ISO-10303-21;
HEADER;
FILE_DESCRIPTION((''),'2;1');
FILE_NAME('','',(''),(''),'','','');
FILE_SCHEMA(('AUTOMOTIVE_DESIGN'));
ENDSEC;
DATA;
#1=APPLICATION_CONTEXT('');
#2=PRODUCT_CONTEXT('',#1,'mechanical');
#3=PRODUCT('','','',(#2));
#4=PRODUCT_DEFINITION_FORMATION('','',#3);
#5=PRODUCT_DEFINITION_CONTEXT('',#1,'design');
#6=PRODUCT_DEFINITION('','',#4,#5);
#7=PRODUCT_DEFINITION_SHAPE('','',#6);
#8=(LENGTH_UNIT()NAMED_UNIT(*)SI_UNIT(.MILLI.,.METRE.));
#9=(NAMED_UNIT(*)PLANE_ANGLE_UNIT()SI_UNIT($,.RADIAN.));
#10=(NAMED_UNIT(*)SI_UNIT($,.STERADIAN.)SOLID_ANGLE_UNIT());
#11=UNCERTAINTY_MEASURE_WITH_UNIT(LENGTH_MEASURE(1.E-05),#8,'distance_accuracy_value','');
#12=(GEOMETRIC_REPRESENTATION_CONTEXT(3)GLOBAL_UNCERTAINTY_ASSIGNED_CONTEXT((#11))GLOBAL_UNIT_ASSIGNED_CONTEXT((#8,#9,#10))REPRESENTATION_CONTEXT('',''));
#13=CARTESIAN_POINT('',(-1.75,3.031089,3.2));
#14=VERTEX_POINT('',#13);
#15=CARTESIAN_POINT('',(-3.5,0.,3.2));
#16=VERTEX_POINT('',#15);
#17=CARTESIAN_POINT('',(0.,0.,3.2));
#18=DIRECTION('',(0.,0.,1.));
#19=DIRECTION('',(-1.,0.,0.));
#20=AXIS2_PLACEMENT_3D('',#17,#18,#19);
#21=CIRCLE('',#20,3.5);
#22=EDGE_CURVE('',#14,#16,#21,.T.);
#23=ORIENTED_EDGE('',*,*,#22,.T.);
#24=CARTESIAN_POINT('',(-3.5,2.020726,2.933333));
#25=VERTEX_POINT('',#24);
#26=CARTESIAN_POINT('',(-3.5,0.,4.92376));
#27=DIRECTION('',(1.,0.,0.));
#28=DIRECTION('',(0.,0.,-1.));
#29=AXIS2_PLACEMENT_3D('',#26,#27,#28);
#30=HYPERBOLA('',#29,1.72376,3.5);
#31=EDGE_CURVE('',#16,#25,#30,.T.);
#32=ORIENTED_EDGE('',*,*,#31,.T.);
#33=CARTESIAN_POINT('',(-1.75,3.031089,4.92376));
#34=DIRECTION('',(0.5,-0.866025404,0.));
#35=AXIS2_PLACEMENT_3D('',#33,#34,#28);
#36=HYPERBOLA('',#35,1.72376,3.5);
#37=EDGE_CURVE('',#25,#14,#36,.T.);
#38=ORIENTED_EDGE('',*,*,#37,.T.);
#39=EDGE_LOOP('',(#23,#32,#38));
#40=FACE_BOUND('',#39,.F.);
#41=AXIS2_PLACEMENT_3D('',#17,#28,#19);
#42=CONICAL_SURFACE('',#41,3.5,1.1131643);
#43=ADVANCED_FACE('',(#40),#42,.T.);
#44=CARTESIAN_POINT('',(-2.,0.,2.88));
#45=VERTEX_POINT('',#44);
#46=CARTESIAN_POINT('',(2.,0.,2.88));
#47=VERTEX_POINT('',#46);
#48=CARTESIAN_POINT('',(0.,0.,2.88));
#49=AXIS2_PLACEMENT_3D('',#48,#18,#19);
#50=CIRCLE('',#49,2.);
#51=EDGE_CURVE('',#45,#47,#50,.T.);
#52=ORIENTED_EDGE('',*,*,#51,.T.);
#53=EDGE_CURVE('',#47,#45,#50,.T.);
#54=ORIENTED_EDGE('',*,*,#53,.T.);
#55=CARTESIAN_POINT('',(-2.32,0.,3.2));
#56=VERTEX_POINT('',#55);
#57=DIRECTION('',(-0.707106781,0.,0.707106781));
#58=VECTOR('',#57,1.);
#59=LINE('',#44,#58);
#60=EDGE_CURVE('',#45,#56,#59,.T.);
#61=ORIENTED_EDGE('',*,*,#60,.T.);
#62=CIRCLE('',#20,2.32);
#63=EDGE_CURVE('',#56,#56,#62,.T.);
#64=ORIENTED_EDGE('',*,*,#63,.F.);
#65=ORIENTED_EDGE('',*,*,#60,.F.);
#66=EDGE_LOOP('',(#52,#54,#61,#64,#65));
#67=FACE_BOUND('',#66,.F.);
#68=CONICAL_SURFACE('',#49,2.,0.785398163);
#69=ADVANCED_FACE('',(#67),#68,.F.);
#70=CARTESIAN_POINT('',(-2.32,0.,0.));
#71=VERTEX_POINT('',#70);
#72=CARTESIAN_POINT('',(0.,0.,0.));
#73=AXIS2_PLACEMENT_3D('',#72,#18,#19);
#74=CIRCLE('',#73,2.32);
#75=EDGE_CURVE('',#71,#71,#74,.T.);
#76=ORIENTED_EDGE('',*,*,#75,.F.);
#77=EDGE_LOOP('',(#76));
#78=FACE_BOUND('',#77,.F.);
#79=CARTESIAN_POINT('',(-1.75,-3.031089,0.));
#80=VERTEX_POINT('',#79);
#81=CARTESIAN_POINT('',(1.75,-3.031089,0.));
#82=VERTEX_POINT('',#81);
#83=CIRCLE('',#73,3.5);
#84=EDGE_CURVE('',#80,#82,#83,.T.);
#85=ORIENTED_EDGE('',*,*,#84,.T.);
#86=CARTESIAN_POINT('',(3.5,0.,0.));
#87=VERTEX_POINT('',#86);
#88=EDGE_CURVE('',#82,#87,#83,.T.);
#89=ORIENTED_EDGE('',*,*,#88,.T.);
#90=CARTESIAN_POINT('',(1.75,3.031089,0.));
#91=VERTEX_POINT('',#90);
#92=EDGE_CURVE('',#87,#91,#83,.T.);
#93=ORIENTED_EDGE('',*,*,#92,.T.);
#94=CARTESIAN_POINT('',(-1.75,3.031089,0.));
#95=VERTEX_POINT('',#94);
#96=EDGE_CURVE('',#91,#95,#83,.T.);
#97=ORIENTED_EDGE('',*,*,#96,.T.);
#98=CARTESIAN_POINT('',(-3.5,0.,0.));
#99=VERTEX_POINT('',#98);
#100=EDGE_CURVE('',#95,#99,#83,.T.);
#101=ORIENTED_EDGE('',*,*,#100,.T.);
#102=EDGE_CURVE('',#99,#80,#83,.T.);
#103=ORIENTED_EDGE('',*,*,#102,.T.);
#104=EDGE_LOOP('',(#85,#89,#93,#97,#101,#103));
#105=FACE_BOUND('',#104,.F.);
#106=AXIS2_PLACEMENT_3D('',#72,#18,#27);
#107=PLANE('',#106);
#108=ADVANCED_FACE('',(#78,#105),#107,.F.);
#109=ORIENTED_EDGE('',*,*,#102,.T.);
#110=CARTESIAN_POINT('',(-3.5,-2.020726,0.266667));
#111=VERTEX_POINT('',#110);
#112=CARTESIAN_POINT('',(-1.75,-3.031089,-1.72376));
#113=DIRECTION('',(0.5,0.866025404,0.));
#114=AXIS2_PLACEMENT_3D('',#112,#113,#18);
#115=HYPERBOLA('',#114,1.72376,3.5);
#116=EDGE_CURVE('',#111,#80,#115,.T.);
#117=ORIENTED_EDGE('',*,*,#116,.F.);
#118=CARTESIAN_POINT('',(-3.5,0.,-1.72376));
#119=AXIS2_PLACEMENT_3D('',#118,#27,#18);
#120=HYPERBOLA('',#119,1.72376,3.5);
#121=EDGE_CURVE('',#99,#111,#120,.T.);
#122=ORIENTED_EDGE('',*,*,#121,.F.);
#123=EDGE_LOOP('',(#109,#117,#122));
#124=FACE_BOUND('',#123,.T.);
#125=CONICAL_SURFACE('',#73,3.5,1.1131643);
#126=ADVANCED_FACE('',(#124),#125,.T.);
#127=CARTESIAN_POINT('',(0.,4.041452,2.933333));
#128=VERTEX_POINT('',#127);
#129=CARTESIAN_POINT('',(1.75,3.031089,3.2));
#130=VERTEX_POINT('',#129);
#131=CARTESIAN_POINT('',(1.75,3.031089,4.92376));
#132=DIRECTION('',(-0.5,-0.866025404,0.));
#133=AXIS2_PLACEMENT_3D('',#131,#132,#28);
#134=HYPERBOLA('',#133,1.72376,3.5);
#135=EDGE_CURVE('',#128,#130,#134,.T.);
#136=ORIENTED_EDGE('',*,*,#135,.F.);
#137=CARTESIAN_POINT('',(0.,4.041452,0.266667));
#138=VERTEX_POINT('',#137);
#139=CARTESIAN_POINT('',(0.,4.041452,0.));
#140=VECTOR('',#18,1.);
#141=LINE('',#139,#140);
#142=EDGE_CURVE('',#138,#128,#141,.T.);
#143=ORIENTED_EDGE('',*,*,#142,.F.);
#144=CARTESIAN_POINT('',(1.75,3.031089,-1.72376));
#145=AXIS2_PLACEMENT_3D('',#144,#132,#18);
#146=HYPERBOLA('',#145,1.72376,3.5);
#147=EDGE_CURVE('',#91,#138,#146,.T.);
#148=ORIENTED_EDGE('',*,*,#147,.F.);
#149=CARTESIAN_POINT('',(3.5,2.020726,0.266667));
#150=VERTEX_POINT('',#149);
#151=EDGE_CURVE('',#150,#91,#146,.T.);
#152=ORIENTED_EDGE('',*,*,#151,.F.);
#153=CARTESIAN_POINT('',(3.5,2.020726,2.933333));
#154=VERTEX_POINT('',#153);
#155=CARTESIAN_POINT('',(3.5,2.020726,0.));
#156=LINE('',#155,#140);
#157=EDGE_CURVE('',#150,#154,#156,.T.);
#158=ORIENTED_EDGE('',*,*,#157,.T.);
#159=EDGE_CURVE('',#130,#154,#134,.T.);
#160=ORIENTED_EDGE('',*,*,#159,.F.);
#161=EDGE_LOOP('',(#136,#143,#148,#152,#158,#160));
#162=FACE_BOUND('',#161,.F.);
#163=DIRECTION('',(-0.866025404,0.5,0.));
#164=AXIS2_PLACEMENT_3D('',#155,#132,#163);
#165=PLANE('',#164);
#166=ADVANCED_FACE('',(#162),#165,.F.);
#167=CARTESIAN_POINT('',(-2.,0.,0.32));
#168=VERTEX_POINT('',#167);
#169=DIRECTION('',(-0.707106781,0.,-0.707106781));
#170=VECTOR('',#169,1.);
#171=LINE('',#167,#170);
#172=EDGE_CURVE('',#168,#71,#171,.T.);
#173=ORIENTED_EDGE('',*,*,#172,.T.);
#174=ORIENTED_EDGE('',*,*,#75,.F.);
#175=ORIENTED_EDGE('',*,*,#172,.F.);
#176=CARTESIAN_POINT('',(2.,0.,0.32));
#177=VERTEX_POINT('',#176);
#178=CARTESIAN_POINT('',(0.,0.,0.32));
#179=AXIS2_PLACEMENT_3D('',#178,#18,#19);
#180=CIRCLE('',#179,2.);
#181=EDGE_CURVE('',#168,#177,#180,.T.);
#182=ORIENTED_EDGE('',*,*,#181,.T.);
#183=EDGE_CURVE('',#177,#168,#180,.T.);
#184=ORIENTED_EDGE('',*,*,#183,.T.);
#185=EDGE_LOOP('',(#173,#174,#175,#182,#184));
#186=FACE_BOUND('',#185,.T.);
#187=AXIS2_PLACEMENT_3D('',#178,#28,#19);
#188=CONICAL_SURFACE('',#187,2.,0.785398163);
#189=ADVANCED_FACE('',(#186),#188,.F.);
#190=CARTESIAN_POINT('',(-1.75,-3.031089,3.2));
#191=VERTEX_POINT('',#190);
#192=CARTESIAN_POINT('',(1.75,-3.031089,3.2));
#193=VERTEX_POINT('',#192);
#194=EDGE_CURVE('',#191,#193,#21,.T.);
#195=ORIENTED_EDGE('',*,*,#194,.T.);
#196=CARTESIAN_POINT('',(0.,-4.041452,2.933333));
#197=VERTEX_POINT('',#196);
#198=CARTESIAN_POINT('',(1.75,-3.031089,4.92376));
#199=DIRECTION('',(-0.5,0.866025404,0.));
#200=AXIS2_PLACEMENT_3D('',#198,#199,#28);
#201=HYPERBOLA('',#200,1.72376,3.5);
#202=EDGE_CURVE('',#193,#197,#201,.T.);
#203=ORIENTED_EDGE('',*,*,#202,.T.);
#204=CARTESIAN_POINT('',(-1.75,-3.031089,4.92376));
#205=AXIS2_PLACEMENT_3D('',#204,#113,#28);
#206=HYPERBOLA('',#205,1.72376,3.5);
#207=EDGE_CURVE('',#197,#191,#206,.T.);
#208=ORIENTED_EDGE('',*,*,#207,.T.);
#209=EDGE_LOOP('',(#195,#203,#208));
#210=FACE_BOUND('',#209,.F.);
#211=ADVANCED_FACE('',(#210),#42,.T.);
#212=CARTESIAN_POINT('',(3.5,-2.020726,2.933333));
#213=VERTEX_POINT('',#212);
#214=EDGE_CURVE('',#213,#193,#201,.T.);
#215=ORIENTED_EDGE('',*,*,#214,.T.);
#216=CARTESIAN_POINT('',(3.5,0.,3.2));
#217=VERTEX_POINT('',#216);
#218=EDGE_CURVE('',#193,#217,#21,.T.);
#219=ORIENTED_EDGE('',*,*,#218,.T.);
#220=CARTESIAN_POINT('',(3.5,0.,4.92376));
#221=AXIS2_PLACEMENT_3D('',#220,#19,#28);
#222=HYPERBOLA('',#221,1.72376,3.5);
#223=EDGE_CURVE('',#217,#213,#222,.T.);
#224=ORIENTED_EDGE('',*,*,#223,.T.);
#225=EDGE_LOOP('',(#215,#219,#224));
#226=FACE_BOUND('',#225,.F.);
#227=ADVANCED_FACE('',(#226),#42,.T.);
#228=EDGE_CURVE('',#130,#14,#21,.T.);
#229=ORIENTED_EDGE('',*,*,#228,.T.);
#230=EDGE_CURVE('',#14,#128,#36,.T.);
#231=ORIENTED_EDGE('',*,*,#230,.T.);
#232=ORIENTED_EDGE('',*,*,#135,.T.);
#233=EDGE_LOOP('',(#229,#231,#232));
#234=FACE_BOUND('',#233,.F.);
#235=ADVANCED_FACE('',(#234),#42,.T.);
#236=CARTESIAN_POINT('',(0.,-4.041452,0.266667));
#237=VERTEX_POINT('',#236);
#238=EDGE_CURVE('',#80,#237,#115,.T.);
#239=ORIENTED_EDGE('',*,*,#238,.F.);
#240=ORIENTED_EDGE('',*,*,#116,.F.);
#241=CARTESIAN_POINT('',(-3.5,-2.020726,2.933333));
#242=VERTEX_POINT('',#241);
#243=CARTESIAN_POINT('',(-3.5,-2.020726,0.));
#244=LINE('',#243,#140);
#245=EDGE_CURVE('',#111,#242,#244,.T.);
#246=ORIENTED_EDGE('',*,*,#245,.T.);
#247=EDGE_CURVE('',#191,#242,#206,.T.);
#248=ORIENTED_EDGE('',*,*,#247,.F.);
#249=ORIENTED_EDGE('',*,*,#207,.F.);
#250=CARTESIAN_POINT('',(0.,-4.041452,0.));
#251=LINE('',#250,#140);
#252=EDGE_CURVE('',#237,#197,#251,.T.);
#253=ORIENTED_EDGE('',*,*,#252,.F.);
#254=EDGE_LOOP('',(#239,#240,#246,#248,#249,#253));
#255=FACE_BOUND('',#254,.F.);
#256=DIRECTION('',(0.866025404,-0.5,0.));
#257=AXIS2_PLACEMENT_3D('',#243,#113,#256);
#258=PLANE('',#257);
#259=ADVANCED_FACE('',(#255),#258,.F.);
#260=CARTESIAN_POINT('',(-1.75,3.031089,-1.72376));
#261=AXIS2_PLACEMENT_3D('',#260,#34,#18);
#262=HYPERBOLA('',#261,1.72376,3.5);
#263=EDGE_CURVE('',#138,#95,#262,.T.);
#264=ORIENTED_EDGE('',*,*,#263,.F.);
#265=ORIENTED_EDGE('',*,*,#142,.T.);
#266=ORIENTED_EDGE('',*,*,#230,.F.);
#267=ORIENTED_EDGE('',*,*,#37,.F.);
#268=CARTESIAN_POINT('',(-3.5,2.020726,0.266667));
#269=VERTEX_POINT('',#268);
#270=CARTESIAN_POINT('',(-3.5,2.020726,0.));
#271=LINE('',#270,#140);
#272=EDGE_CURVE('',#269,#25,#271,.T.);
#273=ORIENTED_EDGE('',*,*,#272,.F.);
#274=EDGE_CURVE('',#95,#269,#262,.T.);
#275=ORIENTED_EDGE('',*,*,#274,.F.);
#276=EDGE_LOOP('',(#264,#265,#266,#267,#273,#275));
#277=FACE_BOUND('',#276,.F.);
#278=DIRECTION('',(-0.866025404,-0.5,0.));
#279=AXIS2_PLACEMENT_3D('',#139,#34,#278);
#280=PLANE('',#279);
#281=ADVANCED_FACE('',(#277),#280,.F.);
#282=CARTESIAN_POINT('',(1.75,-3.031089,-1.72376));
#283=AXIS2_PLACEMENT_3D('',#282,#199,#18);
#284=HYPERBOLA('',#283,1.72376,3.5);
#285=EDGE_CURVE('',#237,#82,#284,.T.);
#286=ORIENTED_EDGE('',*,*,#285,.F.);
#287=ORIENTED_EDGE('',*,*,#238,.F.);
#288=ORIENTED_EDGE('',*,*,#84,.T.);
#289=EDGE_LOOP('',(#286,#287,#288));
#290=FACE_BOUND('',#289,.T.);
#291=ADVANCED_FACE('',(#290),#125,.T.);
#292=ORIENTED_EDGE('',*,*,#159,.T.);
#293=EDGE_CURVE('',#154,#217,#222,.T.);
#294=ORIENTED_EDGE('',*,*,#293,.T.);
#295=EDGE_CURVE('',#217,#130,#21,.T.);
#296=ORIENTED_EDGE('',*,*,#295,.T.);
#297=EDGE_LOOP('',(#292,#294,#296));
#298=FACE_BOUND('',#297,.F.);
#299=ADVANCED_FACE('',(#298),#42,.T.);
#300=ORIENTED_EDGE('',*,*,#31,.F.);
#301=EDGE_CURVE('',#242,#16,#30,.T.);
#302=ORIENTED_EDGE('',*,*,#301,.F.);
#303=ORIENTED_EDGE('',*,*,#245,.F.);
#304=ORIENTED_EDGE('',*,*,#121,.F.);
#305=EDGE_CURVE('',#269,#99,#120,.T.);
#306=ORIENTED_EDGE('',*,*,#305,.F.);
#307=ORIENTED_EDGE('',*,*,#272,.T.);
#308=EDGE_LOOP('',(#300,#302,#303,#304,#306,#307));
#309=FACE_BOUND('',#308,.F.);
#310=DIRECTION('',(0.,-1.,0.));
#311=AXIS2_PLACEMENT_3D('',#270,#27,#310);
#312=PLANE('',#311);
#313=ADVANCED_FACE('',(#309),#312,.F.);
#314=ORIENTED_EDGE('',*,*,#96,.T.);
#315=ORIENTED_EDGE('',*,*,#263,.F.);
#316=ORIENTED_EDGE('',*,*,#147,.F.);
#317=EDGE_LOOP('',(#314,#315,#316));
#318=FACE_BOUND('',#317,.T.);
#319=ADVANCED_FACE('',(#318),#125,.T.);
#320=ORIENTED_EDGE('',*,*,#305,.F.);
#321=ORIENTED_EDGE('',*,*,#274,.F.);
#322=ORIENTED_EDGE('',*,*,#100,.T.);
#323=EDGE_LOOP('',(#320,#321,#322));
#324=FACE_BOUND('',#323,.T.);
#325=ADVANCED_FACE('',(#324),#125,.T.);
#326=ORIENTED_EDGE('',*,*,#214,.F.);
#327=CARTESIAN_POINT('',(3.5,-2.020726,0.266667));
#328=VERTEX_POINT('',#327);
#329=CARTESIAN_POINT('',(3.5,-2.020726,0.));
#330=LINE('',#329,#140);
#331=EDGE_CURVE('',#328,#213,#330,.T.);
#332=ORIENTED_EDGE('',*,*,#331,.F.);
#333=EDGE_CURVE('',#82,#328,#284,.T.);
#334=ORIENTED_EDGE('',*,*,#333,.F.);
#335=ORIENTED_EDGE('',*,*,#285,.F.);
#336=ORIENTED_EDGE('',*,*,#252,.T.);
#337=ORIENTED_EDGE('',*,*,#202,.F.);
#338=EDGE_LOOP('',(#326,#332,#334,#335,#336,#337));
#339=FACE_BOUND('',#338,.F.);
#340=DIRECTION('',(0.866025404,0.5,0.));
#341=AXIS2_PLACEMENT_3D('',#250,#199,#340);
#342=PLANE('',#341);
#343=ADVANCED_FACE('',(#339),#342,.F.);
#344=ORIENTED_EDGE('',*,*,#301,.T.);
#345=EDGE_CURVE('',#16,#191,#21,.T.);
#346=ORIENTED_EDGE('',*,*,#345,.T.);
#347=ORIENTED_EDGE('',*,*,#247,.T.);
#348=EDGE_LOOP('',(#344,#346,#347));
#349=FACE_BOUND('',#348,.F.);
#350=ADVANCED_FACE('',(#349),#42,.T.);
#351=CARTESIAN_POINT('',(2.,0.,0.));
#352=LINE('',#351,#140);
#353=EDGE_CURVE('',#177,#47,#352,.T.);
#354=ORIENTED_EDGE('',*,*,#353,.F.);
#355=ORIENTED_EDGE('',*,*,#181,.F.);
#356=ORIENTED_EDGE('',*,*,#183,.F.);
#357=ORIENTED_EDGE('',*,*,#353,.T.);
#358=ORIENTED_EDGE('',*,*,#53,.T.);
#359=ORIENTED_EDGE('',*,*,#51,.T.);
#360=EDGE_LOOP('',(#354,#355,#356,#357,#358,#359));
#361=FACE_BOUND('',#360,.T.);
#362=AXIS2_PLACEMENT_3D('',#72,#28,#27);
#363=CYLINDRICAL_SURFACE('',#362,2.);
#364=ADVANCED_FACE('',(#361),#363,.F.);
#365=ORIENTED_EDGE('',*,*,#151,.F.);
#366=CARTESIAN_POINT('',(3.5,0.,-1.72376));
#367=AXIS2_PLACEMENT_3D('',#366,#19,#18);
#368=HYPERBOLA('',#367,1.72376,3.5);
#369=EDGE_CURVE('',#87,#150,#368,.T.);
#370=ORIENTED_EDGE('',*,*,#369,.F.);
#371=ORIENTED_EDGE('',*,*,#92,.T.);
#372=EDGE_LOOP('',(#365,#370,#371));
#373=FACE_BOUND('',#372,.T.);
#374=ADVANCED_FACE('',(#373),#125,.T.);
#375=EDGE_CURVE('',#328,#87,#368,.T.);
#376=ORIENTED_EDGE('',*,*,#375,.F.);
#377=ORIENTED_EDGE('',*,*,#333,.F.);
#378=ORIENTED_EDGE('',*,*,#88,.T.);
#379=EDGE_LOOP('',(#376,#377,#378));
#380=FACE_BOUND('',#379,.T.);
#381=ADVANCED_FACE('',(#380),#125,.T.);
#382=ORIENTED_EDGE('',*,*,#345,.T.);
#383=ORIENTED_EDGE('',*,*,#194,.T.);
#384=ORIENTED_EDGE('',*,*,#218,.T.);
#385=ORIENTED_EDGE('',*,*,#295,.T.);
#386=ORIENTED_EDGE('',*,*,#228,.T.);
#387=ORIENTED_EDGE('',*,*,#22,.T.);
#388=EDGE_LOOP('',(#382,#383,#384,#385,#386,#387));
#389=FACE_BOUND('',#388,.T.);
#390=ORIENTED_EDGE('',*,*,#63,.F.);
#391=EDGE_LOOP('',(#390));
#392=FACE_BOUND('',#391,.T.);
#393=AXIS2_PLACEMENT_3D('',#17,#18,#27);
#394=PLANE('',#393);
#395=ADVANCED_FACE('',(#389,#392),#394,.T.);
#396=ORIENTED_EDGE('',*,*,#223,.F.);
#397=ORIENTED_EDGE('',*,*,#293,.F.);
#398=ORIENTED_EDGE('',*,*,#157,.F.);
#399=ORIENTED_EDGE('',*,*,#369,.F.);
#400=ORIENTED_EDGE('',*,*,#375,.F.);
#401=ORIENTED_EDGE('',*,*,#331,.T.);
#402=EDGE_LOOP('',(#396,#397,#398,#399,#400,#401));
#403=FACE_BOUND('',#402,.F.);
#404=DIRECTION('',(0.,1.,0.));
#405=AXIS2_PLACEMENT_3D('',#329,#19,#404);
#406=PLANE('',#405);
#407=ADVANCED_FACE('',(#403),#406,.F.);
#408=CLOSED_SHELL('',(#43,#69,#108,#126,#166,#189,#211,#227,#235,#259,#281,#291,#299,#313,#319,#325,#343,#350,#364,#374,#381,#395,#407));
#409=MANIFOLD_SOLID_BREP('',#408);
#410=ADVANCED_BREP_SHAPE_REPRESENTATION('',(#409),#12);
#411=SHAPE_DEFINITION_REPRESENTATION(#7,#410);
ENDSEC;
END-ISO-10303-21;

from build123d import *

# Parameters (mm, degrees)
SKETCH1_R           = 2
BOSS_EXTRUDE1_DEPTH = 3.2


with BuildPart() as part:
    # Sketch1 → Boss-Extrude1 (new body)
    with BuildSketch(Plane.XY):
        Polygon((0, -4.041451884), (3.5, -2.020725942), (3.5, 2.020725942), (0, 4.041451884), (-3.5, 2.020725942), (-3.5, -2.020725942), align=None)
        Circle(SKETCH1_R, mode=Mode.SUBTRACT)
    extrude(amount=BOSS_EXTRUDE1_DEPTH)

    # Sketch2 → Cut-Revolve1 (revolve, cut)
    with BuildSketch(Plane(origin=(0, 0, 0), x_dir=(0, 0, -1), z_dir=(1, 0, 0)), mode=Mode.PRIVATE) as cut_revolve1_sk:
        Polygon((-3.2, 4.041451884), (-3.2, 3.5), (-2.933333333, 4.041451884), align=None)
        Polygon((-0.266666667, 4.041451884), (0, 4.041451884), (0, 3.5), align=None)
        Polygon((-3.2, 2), (-2.88, 2), (-3.2, 2.32), align=None)
        Polygon((0, 2), (-0.32, 2), (0, 2.32), align=None)
    revolve(cut_revolve1_sk.sketch.rotate(Axis((0, 0, 0), (0, 0, 1)), 90), axis=Axis((0, 0, 0), (0, 0, 1)), mode=Mode.SUBTRACT)


solid = part.part
